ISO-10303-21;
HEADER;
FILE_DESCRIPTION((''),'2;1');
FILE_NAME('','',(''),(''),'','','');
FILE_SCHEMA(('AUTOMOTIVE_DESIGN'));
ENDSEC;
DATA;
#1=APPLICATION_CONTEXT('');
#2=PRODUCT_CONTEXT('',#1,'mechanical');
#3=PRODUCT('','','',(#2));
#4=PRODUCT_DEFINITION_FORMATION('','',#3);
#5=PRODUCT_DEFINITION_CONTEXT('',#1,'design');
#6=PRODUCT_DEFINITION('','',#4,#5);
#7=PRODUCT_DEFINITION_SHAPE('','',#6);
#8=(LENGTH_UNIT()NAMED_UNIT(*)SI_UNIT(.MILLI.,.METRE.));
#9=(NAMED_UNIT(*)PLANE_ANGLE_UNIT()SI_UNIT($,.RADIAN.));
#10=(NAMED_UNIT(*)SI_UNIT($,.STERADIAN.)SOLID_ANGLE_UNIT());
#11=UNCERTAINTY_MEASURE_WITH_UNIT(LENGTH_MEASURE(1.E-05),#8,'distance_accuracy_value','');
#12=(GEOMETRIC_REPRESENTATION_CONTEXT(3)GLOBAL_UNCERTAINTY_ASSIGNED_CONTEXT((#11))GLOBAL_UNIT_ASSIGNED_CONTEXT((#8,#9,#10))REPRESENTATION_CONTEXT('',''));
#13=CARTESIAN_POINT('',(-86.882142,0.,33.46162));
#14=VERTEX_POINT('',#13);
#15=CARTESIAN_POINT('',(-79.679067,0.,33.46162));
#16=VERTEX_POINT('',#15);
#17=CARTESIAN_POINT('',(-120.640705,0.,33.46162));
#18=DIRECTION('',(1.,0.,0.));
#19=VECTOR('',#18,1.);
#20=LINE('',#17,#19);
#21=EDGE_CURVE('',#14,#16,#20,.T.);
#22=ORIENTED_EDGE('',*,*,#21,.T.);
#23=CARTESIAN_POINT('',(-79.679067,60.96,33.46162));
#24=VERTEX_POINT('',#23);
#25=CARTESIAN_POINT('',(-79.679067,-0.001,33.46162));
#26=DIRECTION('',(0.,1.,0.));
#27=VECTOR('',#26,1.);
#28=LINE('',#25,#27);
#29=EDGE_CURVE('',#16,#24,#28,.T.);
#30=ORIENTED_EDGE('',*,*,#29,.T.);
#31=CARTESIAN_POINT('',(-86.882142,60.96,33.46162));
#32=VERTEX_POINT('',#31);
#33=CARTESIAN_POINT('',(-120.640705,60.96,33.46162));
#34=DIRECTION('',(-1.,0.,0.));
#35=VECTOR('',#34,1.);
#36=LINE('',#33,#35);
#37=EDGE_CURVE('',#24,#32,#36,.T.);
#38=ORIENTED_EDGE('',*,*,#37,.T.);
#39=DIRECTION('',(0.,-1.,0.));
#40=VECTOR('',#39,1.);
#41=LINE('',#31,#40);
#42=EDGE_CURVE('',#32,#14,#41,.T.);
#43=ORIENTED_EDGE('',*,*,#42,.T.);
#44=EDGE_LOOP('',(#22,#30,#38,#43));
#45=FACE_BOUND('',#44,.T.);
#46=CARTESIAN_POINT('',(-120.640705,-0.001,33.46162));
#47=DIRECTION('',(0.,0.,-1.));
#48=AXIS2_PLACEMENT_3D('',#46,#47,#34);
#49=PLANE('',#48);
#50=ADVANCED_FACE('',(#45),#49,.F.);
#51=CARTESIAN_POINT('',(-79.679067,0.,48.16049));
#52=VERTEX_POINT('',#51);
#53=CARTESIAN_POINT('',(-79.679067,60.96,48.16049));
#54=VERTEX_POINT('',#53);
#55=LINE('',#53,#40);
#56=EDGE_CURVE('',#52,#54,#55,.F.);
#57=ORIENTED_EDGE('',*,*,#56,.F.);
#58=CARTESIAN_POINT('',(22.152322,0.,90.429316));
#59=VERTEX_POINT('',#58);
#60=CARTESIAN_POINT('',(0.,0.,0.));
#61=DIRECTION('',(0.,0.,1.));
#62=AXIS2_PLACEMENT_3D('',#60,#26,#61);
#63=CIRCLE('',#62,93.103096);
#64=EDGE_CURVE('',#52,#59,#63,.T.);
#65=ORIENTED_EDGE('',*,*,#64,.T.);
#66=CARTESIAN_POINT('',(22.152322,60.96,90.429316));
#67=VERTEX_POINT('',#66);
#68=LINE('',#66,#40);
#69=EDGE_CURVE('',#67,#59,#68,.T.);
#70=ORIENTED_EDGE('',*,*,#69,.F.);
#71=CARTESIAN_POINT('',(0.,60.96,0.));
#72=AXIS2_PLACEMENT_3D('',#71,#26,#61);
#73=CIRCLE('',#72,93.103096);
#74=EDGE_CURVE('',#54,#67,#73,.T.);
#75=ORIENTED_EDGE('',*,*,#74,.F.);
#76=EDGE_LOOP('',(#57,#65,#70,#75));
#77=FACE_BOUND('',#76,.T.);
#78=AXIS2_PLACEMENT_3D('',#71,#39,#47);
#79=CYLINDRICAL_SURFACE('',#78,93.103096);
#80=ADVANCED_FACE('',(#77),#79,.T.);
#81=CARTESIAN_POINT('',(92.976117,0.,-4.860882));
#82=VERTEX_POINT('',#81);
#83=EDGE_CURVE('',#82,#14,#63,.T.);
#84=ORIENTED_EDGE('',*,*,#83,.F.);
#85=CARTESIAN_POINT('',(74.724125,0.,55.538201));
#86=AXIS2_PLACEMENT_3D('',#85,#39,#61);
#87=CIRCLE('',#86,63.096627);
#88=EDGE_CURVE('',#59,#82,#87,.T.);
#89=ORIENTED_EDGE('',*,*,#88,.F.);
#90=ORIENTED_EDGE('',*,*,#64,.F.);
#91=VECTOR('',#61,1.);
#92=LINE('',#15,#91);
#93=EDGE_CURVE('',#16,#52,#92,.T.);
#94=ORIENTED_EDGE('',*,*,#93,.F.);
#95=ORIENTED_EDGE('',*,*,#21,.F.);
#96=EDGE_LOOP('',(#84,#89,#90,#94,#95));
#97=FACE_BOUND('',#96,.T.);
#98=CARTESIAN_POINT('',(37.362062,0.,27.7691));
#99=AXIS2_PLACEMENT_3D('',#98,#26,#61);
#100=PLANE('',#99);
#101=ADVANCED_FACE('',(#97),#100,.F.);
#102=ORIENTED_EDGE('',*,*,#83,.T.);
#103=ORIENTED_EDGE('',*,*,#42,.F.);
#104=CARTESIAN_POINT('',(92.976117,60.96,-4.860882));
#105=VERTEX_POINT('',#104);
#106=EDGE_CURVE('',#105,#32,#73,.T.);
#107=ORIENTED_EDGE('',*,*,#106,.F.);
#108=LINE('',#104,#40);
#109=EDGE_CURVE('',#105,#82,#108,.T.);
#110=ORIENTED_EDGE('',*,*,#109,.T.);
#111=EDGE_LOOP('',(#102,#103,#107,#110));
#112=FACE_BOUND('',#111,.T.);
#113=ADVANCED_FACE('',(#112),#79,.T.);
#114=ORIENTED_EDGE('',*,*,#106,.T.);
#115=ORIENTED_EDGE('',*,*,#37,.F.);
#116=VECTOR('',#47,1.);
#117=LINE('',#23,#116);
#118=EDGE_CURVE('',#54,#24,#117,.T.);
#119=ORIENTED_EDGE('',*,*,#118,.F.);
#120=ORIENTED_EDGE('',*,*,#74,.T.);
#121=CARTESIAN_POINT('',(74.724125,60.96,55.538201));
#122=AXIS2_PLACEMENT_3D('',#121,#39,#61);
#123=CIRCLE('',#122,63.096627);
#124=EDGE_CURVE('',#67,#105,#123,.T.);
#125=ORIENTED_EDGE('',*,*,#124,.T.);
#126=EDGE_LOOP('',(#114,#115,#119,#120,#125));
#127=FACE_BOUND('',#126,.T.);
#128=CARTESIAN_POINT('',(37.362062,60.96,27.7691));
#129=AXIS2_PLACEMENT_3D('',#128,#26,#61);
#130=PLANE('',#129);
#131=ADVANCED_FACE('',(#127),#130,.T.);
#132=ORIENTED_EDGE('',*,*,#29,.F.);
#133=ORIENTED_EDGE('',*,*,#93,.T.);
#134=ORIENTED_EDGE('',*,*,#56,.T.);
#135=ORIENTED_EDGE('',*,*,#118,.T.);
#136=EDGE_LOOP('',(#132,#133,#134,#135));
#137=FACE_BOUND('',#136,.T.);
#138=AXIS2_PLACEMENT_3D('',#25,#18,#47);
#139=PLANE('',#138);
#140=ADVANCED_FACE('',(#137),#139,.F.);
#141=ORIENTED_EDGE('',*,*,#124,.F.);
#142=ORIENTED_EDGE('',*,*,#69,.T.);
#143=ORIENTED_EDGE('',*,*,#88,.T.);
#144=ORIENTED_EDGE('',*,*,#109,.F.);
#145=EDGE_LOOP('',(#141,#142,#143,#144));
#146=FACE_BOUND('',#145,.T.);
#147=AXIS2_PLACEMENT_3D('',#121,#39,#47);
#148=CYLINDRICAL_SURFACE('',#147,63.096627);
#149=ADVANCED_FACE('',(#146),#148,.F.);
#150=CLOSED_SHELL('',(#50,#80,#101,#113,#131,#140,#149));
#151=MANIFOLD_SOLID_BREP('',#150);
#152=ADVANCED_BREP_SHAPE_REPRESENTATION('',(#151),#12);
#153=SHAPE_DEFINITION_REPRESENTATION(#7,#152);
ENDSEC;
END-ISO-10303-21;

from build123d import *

# Parameters (mm, degrees)
BOSS_EXTRUDE1_DEPTH = 60.96
CUT_EXTRUDE1_REACH  = 147.095
SKETCH3_W           = 40.961637843
SKETCH3_H           = 33.750081885


with BuildPart() as part:
    # Sketch1 → Boss-Extrude1 (new body)
    with BuildSketch(Plane(origin=(0, 0, 0), x_dir=(1, 0, 0), z_dir=(0, 1, 0))):
        with BuildLine():
            ThreePointArc((92.976117224, 4.860881604), (-74.724124634, 55.538200742), (22.152321734, -90.429315965))
            ThreePointArc((22.152321734, -90.429315965), (24.083056487, -17.899569011), (92.976117224, 4.860881604))
        make_face()
    extrude(amount=BOSS_EXTRUDE1_DEPTH)

    # Sketch3 → Cut-Extrude1 (cut, up to next)
    with BuildSketch(Plane(origin=(0, 60.96, 0), x_dir=(1, 0, 0), z_dir=(0, 1, 0)), mode=Mode.PRIVATE) as cut_extrude1_sk1:
        with Locations((-100.15988625, -50.336660589)):
            Rectangle(SKETCH3_W, SKETCH3_H)
    cut_extrude1_tool1 = extrude(cut_extrude1_sk1.sketch, amount=-CUT_EXTRUDE1_REACH, mode=Mode.PRIVATE) & part.part
    add(cut_extrude1_tool1.solids().sort_by_distance((-100.159886, 60.96, 50.336661))[0], mode=Mode.SUBTRACT)


solid = part.part
